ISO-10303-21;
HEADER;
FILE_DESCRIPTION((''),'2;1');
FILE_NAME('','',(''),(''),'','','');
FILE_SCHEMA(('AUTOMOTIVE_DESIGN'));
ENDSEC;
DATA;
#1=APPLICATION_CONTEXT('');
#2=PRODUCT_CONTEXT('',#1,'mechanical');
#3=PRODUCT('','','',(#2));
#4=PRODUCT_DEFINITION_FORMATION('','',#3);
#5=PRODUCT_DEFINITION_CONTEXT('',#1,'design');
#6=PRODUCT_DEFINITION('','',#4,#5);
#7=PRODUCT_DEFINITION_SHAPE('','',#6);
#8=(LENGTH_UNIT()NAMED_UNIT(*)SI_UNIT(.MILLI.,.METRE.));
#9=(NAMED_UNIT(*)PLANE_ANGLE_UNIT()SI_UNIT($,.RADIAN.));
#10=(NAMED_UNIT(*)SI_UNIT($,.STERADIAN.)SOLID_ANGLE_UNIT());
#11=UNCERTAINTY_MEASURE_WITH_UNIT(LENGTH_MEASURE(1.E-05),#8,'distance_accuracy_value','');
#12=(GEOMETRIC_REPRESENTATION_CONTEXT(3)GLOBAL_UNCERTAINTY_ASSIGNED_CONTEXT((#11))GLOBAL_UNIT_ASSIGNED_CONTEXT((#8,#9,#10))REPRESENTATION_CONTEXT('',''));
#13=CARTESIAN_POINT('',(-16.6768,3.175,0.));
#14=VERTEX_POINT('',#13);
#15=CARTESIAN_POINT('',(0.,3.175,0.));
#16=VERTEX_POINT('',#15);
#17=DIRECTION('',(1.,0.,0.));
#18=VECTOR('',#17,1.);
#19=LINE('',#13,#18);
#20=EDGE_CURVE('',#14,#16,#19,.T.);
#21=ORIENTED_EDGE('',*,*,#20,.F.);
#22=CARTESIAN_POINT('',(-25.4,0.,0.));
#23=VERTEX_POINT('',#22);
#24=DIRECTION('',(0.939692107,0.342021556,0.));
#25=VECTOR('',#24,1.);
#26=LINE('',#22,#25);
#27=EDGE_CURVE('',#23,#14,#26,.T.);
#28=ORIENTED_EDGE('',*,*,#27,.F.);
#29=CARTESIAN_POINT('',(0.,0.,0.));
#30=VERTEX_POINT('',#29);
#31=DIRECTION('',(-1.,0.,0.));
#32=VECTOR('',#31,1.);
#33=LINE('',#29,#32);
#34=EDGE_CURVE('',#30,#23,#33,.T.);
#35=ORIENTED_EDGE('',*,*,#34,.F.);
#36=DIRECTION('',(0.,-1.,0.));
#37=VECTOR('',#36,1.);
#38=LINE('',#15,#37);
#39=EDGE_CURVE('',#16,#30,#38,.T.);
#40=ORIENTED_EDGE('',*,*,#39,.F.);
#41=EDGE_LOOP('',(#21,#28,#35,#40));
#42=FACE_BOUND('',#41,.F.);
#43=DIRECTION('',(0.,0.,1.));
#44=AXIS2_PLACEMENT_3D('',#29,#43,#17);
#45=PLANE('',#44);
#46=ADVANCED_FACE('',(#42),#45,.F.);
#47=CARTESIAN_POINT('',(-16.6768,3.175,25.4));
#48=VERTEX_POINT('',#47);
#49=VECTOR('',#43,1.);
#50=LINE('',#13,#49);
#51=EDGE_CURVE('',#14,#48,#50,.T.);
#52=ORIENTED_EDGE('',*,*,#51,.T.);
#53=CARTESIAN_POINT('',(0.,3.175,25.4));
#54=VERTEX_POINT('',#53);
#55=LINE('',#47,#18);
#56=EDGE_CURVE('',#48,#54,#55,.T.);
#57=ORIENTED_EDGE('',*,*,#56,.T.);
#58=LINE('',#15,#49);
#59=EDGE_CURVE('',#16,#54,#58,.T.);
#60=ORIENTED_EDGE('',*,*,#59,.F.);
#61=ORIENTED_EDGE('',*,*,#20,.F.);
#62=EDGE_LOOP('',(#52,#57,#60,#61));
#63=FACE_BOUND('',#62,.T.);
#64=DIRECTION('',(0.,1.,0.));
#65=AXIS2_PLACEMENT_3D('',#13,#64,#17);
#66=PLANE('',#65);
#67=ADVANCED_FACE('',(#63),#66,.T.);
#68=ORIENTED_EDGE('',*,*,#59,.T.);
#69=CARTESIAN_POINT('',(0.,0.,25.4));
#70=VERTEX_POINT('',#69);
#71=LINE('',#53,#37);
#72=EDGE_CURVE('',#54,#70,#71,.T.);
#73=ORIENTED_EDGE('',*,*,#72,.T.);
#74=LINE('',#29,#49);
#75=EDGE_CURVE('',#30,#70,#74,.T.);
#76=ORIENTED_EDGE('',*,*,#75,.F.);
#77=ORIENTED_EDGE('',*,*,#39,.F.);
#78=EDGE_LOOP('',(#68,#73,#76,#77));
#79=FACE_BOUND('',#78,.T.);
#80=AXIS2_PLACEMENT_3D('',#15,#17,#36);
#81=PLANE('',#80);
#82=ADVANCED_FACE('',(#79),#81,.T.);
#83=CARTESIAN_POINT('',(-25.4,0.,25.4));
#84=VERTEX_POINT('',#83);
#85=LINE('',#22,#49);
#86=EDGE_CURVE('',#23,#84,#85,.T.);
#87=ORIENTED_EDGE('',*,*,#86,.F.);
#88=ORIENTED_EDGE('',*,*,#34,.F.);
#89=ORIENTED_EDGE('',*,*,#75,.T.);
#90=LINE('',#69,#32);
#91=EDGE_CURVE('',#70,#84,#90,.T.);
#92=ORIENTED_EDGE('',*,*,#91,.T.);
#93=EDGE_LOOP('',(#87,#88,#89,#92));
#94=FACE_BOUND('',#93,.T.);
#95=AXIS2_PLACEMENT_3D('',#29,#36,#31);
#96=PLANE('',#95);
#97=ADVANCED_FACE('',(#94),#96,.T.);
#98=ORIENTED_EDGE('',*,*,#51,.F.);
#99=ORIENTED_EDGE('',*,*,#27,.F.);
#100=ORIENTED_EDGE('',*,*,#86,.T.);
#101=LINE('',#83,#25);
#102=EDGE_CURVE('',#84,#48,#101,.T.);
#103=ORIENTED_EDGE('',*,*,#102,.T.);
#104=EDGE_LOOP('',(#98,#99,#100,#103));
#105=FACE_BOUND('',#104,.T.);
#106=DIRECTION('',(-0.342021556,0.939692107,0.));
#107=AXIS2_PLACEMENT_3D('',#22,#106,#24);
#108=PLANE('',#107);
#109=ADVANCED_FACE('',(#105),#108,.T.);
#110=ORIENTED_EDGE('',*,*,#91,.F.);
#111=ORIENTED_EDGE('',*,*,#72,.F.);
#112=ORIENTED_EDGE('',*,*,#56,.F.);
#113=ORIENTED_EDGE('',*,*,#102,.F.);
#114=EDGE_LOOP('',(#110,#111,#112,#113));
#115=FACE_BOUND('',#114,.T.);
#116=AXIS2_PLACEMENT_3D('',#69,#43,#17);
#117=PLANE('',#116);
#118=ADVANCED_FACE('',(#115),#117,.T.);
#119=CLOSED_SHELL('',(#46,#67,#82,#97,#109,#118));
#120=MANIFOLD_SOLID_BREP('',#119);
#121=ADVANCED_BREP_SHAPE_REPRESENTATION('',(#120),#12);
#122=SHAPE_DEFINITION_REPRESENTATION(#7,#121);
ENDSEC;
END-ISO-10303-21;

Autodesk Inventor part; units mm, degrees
ref_plane "YZ Plane" through (0, 0, 0) normal (1, 0, 0) x (0, 1, 0)
ref_plane "XZ Plane" through (0, 0, 0) normal (0, 1, 0) x (-1, 0, 0)
ref_plane "XY Plane" through (0, 0, 0) normal (0, 0, 1) x (1, 0, 0)
sketch "Sketch1" plane through (0, 0, 0) normal (0, 0, 1) x (1, 0, 0)
  line L0 (0, 0) -> (-25.4, 0)
  line L1 (-16.6768, 3.175) -> (0, 3.175)
  line L2 (0, 3.175) -> (0, 0)
  line L3 (-25.4, 0) -> (-16.6768, 3.175)
  dimension "d0" = 20
  dimension "d2" = 3.175
  dimension "d3" = 25.4
extrude "Extrusion1" add sketch "Sketch1" along normal blind 25.4
properties part number "BallGuideHardstop" material "Aluminum 6061"
